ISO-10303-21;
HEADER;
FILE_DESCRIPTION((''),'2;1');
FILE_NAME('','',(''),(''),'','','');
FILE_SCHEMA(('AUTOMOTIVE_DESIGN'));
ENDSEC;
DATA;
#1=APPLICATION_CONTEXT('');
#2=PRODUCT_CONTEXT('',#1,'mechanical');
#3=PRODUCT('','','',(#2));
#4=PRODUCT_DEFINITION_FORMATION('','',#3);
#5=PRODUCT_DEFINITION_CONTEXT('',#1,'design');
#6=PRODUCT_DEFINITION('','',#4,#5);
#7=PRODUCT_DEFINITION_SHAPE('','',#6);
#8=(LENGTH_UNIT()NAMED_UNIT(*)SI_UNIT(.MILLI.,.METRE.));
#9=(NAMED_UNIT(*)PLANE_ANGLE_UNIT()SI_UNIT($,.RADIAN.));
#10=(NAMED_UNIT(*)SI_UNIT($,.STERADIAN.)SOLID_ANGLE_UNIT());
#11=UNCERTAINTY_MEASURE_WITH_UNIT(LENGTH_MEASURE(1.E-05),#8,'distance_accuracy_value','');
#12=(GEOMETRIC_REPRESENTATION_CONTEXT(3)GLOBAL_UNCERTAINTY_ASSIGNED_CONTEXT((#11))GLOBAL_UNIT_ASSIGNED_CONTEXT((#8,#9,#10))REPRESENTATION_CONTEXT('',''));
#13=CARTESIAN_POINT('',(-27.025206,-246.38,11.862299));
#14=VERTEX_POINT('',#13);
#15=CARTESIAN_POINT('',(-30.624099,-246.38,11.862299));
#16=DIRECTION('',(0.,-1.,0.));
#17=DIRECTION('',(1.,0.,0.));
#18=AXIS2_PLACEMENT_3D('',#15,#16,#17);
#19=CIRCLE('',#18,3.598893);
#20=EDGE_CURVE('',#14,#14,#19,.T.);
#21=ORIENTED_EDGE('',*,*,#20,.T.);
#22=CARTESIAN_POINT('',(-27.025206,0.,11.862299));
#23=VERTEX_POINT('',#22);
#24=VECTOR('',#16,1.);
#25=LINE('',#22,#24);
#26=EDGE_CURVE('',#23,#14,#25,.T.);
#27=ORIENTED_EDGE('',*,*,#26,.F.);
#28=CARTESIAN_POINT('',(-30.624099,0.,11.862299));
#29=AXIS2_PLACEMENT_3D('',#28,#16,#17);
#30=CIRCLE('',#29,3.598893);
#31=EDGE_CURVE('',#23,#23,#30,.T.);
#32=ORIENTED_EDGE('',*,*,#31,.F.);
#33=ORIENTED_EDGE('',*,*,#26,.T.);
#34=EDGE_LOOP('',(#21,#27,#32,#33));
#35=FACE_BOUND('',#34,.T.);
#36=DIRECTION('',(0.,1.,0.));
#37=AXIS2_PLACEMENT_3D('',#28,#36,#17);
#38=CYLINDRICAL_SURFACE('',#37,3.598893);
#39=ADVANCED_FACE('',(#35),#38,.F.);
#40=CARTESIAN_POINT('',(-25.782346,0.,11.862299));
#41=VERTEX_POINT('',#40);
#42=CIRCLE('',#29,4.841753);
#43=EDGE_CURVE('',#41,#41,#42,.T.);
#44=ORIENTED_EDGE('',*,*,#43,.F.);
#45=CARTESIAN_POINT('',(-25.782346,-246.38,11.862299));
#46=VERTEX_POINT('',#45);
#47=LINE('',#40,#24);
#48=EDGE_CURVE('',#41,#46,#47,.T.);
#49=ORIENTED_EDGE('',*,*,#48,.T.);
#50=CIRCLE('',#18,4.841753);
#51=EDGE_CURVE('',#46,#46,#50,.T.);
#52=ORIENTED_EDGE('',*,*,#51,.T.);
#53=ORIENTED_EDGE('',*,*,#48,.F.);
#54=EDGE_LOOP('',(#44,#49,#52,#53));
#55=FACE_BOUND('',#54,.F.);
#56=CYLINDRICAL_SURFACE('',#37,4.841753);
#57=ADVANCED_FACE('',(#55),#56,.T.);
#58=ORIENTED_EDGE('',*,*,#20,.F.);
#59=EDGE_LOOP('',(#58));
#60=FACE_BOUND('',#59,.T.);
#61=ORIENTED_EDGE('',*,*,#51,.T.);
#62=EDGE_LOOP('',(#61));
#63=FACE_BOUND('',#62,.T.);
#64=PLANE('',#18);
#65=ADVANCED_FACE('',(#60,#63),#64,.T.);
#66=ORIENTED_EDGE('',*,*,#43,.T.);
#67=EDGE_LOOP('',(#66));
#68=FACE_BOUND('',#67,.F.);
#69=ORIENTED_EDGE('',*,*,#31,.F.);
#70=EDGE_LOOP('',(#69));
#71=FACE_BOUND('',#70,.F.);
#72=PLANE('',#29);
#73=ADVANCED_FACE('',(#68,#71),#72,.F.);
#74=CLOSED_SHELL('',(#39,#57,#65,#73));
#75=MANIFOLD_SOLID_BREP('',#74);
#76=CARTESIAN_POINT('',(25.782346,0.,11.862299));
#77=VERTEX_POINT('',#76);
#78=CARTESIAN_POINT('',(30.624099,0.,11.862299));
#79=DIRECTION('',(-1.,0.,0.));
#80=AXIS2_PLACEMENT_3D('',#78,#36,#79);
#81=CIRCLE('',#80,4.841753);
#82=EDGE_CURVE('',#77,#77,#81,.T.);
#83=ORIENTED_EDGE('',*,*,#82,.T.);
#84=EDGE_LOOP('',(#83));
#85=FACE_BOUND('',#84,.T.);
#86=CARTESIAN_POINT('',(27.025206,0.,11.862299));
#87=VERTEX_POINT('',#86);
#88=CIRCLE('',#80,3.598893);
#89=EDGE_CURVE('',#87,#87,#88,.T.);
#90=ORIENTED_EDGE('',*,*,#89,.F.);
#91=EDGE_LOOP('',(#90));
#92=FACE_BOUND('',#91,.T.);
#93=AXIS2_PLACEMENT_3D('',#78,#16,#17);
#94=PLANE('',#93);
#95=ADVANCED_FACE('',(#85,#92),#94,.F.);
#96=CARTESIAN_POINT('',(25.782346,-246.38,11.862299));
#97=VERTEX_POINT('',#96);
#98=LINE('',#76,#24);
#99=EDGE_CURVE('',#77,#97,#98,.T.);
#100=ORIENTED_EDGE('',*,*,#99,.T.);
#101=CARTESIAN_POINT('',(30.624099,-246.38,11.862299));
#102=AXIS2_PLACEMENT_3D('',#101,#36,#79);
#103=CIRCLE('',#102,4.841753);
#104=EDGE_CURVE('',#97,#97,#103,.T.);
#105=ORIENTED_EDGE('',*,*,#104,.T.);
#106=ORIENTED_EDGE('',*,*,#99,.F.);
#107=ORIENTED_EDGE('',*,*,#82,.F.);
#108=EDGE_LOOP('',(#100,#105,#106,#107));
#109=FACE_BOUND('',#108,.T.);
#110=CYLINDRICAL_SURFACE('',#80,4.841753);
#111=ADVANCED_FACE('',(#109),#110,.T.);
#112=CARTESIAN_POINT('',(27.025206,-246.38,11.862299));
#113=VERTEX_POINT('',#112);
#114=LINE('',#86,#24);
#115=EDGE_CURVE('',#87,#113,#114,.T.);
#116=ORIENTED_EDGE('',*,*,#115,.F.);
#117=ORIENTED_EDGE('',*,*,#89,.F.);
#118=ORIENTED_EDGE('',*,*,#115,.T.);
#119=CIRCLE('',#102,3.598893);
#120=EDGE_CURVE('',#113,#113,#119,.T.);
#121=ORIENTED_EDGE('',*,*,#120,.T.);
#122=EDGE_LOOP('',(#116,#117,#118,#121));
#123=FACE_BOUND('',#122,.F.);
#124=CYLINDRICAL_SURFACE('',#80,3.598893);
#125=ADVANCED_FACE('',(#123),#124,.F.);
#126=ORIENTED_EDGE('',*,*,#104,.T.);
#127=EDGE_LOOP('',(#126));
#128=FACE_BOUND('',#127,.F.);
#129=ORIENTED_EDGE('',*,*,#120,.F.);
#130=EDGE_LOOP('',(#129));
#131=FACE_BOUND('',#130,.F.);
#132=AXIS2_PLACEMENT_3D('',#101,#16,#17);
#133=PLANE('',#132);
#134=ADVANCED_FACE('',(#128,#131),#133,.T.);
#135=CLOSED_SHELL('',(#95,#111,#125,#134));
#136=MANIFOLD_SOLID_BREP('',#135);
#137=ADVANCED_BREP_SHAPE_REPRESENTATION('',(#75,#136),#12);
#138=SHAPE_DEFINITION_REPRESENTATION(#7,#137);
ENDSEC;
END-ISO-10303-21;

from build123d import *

# Parameters (mm, degrees)
F0_R     = 4.841753
F0_R_2   = 3.598893
F1_DEPTH = 246.38


with BuildPart() as f1:
    # F0 (on Front) → F1 (new body)
    with BuildSketch(Plane.XZ):
        with Locations((-30.624099, 11.862299)):
            Circle(F0_R)
        with Locations((-30.624099, 11.862299)):
            Circle(F0_R_2, mode=Mode.SUBTRACT)
    extrude(amount=F1_DEPTH)


with BuildPart() as f2_1:
    # F2: instance of F1
    add(f1.part.mirror(Plane.YZ))


solid = Compound([f1.part, f2_1.part])
